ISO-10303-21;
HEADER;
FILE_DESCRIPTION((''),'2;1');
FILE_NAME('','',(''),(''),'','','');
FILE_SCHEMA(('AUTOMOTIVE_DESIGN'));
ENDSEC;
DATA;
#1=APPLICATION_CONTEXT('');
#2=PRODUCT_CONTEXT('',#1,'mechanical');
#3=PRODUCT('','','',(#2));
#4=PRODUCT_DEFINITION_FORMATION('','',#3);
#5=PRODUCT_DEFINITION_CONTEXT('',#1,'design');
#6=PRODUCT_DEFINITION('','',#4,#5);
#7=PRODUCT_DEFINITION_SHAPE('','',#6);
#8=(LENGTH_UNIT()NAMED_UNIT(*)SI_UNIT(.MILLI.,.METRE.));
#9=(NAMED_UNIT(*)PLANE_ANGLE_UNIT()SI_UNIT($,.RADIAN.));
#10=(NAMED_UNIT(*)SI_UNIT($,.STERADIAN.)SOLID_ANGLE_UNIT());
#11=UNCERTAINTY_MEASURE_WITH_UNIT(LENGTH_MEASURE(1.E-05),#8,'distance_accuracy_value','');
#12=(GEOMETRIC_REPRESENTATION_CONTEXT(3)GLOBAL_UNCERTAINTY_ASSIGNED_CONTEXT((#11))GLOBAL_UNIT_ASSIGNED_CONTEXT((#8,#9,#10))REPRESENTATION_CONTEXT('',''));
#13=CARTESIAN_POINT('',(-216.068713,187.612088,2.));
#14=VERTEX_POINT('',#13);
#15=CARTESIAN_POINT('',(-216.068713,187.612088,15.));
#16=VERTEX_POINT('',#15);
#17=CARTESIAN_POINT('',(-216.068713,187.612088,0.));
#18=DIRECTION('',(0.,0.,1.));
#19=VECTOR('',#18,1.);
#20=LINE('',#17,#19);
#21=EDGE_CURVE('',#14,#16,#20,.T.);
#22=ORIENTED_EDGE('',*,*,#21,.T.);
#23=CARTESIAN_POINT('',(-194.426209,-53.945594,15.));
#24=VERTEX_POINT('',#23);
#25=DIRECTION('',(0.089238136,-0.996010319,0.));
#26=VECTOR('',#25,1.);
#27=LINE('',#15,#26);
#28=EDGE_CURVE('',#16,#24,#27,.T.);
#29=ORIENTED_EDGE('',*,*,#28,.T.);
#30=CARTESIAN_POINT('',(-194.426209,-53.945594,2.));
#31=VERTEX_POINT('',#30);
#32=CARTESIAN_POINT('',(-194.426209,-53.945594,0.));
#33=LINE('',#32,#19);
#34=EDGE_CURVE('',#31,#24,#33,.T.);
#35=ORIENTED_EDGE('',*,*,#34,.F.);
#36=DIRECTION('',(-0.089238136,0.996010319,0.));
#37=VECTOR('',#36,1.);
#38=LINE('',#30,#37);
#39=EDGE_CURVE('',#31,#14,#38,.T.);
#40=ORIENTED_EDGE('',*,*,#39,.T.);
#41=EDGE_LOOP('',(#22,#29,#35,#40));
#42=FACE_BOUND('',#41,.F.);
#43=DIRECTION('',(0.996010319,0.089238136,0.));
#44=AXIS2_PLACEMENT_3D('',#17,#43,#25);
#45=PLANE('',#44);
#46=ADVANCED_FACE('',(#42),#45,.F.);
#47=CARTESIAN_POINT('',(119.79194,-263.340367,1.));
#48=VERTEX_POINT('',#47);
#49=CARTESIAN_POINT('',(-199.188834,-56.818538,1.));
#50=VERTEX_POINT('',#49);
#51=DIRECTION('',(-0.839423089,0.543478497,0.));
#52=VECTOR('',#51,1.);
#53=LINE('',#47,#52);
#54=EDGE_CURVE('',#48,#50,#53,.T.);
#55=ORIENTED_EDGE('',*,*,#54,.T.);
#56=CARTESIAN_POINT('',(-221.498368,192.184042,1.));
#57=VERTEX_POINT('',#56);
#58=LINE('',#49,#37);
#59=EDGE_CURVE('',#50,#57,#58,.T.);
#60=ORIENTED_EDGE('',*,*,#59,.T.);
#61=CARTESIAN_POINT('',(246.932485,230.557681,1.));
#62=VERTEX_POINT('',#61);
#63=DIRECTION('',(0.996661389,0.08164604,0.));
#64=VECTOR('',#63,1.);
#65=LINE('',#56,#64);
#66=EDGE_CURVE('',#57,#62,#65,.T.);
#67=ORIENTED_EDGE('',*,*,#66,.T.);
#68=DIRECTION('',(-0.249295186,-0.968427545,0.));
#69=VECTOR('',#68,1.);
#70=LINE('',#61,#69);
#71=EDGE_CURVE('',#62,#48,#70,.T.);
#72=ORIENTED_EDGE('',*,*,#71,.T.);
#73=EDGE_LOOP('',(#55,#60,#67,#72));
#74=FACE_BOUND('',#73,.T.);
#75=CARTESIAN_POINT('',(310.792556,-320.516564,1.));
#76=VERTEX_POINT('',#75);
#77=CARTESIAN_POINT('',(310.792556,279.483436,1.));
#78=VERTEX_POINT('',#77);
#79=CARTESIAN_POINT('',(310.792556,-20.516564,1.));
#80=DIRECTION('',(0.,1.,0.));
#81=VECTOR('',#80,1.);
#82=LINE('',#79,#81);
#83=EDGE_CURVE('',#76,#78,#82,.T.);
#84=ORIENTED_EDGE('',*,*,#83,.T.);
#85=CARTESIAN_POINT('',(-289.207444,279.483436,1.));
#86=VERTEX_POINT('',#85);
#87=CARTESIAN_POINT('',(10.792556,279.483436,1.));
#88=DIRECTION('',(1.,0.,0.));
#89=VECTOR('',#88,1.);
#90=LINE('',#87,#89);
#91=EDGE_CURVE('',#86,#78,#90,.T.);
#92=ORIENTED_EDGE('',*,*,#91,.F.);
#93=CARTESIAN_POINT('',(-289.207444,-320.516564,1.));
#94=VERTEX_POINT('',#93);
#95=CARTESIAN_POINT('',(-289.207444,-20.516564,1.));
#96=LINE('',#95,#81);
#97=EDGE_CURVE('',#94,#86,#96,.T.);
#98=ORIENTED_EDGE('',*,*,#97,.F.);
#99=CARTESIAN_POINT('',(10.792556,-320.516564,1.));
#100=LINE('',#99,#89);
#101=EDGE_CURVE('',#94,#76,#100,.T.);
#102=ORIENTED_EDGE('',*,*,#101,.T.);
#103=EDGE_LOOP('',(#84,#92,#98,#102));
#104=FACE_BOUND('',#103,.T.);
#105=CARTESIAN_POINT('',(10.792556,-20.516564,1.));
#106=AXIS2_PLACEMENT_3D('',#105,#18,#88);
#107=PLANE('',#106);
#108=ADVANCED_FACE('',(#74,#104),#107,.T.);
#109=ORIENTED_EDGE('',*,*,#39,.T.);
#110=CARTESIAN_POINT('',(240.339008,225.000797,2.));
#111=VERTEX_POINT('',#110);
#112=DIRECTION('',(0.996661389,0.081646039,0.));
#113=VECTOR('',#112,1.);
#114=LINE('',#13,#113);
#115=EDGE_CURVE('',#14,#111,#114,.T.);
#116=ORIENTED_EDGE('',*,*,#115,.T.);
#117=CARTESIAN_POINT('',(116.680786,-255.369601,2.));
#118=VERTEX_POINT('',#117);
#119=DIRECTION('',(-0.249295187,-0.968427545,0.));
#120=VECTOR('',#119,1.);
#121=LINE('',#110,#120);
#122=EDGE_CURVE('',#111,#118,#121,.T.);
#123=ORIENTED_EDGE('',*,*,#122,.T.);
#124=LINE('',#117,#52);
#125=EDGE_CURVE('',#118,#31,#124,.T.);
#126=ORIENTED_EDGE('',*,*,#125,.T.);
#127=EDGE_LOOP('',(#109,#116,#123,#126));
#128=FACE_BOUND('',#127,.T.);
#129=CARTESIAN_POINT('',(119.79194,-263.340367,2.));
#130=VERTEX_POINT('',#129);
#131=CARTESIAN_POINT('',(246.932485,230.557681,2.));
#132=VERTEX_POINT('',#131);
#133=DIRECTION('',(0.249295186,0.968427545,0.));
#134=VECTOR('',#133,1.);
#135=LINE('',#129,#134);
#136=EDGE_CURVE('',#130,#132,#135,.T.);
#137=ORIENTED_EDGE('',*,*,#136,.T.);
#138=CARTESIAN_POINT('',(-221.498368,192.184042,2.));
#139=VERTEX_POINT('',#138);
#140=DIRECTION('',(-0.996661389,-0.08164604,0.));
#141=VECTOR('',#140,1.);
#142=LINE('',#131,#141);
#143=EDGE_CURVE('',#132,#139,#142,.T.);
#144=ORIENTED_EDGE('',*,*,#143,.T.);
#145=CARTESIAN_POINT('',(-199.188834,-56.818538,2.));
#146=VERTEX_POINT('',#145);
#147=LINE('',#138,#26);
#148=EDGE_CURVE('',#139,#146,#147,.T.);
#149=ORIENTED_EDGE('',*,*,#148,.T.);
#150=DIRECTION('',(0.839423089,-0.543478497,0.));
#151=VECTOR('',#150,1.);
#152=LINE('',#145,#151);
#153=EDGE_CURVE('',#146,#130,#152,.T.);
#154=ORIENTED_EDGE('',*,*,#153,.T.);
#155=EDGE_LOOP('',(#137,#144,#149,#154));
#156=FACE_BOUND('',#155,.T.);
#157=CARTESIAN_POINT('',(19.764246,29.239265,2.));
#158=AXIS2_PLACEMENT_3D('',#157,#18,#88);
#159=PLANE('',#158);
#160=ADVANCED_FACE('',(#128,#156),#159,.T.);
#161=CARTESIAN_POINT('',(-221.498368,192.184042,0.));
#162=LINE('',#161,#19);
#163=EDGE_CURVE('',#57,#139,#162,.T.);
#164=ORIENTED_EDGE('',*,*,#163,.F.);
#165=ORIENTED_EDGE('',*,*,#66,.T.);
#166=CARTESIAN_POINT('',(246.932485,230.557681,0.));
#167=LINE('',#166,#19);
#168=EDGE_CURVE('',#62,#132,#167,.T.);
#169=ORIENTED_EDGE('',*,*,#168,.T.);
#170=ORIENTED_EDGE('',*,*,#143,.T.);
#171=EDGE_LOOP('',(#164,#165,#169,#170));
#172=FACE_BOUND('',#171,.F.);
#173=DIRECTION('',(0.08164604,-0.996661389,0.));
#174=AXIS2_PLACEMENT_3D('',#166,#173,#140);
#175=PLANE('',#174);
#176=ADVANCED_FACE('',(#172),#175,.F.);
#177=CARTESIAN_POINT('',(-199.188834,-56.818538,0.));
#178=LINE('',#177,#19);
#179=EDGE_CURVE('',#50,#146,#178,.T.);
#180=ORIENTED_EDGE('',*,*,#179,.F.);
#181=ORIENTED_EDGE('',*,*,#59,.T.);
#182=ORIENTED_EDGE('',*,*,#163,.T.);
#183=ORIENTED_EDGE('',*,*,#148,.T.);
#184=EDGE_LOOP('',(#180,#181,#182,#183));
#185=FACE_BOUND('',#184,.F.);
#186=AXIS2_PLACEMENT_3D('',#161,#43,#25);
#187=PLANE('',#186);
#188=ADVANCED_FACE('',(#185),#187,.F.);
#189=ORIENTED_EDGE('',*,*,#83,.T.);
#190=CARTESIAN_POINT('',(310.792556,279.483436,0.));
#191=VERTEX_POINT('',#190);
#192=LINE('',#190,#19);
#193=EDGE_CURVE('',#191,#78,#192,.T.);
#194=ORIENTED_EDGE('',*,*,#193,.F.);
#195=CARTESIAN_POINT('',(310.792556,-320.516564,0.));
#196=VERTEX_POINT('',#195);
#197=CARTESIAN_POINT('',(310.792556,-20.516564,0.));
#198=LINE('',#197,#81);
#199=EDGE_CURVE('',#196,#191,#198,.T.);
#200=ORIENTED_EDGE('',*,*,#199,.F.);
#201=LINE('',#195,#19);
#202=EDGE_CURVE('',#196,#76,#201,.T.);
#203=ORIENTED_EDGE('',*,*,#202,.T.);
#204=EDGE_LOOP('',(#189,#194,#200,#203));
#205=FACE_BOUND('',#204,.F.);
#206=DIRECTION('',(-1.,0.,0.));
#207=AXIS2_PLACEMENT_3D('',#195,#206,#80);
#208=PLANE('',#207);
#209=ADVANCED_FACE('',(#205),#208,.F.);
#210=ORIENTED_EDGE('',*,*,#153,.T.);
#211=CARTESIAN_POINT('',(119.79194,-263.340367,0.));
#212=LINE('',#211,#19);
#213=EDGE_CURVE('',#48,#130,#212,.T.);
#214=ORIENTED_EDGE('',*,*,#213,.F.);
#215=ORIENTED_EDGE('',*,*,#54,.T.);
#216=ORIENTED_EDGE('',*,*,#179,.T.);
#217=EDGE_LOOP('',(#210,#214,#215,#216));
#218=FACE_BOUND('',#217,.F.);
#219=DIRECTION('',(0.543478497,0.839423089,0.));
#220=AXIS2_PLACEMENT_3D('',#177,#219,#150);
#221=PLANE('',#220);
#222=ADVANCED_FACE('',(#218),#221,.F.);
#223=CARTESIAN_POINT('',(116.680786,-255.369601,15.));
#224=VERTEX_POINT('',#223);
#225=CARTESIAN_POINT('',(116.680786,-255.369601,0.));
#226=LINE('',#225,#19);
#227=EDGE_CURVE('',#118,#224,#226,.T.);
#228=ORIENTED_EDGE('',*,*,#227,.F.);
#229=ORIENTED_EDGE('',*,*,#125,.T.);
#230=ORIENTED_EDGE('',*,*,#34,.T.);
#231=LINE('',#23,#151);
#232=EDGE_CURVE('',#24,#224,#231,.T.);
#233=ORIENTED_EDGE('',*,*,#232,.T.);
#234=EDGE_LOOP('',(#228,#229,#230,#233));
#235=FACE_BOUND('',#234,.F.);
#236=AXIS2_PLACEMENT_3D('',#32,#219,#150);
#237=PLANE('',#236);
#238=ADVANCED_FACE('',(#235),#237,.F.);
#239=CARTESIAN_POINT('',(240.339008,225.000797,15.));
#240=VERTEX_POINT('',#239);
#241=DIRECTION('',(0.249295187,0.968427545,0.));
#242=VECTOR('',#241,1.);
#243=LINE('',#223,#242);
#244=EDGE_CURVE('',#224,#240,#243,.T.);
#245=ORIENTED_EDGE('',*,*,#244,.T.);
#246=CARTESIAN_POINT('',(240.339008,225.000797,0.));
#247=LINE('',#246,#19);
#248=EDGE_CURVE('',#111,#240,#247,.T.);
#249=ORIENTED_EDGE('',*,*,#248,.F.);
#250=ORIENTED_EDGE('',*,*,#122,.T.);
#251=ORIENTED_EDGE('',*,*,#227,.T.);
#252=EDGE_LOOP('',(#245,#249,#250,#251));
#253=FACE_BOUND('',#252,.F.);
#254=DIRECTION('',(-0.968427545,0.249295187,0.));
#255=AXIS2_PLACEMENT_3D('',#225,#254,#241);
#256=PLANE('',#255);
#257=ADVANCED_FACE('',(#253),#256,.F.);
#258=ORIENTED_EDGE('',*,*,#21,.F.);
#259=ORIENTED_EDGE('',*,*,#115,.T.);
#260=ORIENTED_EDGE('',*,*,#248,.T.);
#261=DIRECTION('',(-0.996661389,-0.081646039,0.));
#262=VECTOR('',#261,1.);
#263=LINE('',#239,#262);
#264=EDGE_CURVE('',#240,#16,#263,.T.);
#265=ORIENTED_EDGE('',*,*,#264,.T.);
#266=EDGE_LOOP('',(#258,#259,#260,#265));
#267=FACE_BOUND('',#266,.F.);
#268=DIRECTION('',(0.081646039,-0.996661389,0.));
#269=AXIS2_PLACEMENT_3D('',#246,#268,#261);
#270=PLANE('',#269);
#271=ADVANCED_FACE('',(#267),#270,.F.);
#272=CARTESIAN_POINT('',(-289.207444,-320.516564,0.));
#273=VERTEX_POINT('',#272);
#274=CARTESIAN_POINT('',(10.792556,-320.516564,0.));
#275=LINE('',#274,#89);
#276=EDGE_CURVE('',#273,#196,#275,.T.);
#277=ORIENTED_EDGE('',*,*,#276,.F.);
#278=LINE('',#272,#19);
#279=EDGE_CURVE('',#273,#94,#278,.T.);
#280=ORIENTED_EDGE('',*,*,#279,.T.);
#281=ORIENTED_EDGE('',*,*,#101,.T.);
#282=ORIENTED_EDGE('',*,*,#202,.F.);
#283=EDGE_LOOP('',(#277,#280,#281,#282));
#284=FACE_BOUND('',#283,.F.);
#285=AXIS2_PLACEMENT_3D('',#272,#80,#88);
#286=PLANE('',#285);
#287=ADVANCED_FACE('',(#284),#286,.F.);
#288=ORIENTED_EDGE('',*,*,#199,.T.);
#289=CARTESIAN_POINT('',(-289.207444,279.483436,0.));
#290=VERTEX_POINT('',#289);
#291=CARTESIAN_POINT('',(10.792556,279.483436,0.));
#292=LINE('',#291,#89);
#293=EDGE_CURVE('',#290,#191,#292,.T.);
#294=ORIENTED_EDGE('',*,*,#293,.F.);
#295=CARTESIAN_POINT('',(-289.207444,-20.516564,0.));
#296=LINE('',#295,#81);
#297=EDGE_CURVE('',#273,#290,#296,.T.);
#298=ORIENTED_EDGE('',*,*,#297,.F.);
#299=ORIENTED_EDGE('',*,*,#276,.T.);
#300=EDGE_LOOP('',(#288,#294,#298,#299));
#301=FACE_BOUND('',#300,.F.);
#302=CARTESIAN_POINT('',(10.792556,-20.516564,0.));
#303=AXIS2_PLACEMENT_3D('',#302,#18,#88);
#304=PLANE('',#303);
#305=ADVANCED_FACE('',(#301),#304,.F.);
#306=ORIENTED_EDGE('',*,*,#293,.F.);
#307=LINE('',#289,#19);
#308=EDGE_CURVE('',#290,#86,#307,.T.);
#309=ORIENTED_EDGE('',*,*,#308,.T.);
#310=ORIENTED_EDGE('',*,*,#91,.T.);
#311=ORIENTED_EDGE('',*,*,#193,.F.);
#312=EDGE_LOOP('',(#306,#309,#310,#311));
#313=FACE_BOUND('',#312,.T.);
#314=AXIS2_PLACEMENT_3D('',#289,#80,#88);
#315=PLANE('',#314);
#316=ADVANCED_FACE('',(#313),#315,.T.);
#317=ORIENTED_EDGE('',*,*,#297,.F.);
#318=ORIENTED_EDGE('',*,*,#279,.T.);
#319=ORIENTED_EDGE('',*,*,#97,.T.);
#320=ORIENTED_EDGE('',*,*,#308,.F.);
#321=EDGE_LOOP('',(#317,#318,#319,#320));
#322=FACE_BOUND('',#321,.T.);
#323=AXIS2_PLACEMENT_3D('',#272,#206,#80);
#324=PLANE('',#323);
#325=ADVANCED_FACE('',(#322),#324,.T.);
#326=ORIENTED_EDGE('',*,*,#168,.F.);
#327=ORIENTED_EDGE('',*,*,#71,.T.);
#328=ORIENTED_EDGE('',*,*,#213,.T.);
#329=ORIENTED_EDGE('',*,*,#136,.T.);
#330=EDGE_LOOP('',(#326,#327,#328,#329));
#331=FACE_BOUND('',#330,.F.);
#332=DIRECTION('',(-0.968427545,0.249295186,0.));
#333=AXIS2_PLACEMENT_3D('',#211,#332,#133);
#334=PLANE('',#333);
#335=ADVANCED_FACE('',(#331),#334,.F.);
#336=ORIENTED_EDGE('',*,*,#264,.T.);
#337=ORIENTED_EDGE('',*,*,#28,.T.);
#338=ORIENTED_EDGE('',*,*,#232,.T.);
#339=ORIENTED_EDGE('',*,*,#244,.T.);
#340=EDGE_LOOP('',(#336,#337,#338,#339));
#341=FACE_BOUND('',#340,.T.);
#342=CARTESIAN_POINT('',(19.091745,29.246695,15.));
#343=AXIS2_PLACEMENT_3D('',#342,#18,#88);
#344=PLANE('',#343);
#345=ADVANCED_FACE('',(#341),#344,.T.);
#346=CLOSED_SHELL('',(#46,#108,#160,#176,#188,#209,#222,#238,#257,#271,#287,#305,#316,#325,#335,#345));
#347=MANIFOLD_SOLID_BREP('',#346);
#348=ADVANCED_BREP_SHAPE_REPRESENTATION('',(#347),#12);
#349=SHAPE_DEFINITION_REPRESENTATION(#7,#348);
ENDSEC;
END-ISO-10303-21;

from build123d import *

# Parameters (mm, degrees)
F0_W     = 600
F0_H     = 600
F5_DEPTH = 1
F1_DEPTH = 2
F2_DEPTH = 15


with BuildPart() as f5:
    # F0 (on Top) → F5 (new body)
    with BuildSketch(Plane.XY):
        with Locations((10.792556, -20.516564)):
            Rectangle(F0_W, F0_H)
        Polygon((-221.498368, 192.184042), (246.932485, 230.557681), (119.79194, -263.340367), (-199.188834, -56.818538), align=None, mode=Mode.SUBTRACT)
    extrude(amount=F5_DEPTH)

    # F0 (on Top) → F1 (join)
    with BuildSketch(Plane.XY):
        Polygon((119.79194, -263.340367), (246.932485, 230.557681), (-221.498368, 192.184042), (-199.188834, -56.818538), align=None)
        Polygon((240.339008, 225.000797), (116.680786, -255.369601), (-194.426209, -53.945594), (-216.068713, 187.612088), align=None, mode=Mode.SUBTRACT)
    extrude(amount=F1_DEPTH)

    # F0 (on Top) → F2 (join)
    with BuildSketch(Plane.XY):
        Polygon((-194.426209, -53.945594), (116.680786, -255.369601), (240.339008, 225.000797), (-216.068713, 187.612088), align=None)
    extrude(amount=F2_DEPTH)


solid = f5.part
